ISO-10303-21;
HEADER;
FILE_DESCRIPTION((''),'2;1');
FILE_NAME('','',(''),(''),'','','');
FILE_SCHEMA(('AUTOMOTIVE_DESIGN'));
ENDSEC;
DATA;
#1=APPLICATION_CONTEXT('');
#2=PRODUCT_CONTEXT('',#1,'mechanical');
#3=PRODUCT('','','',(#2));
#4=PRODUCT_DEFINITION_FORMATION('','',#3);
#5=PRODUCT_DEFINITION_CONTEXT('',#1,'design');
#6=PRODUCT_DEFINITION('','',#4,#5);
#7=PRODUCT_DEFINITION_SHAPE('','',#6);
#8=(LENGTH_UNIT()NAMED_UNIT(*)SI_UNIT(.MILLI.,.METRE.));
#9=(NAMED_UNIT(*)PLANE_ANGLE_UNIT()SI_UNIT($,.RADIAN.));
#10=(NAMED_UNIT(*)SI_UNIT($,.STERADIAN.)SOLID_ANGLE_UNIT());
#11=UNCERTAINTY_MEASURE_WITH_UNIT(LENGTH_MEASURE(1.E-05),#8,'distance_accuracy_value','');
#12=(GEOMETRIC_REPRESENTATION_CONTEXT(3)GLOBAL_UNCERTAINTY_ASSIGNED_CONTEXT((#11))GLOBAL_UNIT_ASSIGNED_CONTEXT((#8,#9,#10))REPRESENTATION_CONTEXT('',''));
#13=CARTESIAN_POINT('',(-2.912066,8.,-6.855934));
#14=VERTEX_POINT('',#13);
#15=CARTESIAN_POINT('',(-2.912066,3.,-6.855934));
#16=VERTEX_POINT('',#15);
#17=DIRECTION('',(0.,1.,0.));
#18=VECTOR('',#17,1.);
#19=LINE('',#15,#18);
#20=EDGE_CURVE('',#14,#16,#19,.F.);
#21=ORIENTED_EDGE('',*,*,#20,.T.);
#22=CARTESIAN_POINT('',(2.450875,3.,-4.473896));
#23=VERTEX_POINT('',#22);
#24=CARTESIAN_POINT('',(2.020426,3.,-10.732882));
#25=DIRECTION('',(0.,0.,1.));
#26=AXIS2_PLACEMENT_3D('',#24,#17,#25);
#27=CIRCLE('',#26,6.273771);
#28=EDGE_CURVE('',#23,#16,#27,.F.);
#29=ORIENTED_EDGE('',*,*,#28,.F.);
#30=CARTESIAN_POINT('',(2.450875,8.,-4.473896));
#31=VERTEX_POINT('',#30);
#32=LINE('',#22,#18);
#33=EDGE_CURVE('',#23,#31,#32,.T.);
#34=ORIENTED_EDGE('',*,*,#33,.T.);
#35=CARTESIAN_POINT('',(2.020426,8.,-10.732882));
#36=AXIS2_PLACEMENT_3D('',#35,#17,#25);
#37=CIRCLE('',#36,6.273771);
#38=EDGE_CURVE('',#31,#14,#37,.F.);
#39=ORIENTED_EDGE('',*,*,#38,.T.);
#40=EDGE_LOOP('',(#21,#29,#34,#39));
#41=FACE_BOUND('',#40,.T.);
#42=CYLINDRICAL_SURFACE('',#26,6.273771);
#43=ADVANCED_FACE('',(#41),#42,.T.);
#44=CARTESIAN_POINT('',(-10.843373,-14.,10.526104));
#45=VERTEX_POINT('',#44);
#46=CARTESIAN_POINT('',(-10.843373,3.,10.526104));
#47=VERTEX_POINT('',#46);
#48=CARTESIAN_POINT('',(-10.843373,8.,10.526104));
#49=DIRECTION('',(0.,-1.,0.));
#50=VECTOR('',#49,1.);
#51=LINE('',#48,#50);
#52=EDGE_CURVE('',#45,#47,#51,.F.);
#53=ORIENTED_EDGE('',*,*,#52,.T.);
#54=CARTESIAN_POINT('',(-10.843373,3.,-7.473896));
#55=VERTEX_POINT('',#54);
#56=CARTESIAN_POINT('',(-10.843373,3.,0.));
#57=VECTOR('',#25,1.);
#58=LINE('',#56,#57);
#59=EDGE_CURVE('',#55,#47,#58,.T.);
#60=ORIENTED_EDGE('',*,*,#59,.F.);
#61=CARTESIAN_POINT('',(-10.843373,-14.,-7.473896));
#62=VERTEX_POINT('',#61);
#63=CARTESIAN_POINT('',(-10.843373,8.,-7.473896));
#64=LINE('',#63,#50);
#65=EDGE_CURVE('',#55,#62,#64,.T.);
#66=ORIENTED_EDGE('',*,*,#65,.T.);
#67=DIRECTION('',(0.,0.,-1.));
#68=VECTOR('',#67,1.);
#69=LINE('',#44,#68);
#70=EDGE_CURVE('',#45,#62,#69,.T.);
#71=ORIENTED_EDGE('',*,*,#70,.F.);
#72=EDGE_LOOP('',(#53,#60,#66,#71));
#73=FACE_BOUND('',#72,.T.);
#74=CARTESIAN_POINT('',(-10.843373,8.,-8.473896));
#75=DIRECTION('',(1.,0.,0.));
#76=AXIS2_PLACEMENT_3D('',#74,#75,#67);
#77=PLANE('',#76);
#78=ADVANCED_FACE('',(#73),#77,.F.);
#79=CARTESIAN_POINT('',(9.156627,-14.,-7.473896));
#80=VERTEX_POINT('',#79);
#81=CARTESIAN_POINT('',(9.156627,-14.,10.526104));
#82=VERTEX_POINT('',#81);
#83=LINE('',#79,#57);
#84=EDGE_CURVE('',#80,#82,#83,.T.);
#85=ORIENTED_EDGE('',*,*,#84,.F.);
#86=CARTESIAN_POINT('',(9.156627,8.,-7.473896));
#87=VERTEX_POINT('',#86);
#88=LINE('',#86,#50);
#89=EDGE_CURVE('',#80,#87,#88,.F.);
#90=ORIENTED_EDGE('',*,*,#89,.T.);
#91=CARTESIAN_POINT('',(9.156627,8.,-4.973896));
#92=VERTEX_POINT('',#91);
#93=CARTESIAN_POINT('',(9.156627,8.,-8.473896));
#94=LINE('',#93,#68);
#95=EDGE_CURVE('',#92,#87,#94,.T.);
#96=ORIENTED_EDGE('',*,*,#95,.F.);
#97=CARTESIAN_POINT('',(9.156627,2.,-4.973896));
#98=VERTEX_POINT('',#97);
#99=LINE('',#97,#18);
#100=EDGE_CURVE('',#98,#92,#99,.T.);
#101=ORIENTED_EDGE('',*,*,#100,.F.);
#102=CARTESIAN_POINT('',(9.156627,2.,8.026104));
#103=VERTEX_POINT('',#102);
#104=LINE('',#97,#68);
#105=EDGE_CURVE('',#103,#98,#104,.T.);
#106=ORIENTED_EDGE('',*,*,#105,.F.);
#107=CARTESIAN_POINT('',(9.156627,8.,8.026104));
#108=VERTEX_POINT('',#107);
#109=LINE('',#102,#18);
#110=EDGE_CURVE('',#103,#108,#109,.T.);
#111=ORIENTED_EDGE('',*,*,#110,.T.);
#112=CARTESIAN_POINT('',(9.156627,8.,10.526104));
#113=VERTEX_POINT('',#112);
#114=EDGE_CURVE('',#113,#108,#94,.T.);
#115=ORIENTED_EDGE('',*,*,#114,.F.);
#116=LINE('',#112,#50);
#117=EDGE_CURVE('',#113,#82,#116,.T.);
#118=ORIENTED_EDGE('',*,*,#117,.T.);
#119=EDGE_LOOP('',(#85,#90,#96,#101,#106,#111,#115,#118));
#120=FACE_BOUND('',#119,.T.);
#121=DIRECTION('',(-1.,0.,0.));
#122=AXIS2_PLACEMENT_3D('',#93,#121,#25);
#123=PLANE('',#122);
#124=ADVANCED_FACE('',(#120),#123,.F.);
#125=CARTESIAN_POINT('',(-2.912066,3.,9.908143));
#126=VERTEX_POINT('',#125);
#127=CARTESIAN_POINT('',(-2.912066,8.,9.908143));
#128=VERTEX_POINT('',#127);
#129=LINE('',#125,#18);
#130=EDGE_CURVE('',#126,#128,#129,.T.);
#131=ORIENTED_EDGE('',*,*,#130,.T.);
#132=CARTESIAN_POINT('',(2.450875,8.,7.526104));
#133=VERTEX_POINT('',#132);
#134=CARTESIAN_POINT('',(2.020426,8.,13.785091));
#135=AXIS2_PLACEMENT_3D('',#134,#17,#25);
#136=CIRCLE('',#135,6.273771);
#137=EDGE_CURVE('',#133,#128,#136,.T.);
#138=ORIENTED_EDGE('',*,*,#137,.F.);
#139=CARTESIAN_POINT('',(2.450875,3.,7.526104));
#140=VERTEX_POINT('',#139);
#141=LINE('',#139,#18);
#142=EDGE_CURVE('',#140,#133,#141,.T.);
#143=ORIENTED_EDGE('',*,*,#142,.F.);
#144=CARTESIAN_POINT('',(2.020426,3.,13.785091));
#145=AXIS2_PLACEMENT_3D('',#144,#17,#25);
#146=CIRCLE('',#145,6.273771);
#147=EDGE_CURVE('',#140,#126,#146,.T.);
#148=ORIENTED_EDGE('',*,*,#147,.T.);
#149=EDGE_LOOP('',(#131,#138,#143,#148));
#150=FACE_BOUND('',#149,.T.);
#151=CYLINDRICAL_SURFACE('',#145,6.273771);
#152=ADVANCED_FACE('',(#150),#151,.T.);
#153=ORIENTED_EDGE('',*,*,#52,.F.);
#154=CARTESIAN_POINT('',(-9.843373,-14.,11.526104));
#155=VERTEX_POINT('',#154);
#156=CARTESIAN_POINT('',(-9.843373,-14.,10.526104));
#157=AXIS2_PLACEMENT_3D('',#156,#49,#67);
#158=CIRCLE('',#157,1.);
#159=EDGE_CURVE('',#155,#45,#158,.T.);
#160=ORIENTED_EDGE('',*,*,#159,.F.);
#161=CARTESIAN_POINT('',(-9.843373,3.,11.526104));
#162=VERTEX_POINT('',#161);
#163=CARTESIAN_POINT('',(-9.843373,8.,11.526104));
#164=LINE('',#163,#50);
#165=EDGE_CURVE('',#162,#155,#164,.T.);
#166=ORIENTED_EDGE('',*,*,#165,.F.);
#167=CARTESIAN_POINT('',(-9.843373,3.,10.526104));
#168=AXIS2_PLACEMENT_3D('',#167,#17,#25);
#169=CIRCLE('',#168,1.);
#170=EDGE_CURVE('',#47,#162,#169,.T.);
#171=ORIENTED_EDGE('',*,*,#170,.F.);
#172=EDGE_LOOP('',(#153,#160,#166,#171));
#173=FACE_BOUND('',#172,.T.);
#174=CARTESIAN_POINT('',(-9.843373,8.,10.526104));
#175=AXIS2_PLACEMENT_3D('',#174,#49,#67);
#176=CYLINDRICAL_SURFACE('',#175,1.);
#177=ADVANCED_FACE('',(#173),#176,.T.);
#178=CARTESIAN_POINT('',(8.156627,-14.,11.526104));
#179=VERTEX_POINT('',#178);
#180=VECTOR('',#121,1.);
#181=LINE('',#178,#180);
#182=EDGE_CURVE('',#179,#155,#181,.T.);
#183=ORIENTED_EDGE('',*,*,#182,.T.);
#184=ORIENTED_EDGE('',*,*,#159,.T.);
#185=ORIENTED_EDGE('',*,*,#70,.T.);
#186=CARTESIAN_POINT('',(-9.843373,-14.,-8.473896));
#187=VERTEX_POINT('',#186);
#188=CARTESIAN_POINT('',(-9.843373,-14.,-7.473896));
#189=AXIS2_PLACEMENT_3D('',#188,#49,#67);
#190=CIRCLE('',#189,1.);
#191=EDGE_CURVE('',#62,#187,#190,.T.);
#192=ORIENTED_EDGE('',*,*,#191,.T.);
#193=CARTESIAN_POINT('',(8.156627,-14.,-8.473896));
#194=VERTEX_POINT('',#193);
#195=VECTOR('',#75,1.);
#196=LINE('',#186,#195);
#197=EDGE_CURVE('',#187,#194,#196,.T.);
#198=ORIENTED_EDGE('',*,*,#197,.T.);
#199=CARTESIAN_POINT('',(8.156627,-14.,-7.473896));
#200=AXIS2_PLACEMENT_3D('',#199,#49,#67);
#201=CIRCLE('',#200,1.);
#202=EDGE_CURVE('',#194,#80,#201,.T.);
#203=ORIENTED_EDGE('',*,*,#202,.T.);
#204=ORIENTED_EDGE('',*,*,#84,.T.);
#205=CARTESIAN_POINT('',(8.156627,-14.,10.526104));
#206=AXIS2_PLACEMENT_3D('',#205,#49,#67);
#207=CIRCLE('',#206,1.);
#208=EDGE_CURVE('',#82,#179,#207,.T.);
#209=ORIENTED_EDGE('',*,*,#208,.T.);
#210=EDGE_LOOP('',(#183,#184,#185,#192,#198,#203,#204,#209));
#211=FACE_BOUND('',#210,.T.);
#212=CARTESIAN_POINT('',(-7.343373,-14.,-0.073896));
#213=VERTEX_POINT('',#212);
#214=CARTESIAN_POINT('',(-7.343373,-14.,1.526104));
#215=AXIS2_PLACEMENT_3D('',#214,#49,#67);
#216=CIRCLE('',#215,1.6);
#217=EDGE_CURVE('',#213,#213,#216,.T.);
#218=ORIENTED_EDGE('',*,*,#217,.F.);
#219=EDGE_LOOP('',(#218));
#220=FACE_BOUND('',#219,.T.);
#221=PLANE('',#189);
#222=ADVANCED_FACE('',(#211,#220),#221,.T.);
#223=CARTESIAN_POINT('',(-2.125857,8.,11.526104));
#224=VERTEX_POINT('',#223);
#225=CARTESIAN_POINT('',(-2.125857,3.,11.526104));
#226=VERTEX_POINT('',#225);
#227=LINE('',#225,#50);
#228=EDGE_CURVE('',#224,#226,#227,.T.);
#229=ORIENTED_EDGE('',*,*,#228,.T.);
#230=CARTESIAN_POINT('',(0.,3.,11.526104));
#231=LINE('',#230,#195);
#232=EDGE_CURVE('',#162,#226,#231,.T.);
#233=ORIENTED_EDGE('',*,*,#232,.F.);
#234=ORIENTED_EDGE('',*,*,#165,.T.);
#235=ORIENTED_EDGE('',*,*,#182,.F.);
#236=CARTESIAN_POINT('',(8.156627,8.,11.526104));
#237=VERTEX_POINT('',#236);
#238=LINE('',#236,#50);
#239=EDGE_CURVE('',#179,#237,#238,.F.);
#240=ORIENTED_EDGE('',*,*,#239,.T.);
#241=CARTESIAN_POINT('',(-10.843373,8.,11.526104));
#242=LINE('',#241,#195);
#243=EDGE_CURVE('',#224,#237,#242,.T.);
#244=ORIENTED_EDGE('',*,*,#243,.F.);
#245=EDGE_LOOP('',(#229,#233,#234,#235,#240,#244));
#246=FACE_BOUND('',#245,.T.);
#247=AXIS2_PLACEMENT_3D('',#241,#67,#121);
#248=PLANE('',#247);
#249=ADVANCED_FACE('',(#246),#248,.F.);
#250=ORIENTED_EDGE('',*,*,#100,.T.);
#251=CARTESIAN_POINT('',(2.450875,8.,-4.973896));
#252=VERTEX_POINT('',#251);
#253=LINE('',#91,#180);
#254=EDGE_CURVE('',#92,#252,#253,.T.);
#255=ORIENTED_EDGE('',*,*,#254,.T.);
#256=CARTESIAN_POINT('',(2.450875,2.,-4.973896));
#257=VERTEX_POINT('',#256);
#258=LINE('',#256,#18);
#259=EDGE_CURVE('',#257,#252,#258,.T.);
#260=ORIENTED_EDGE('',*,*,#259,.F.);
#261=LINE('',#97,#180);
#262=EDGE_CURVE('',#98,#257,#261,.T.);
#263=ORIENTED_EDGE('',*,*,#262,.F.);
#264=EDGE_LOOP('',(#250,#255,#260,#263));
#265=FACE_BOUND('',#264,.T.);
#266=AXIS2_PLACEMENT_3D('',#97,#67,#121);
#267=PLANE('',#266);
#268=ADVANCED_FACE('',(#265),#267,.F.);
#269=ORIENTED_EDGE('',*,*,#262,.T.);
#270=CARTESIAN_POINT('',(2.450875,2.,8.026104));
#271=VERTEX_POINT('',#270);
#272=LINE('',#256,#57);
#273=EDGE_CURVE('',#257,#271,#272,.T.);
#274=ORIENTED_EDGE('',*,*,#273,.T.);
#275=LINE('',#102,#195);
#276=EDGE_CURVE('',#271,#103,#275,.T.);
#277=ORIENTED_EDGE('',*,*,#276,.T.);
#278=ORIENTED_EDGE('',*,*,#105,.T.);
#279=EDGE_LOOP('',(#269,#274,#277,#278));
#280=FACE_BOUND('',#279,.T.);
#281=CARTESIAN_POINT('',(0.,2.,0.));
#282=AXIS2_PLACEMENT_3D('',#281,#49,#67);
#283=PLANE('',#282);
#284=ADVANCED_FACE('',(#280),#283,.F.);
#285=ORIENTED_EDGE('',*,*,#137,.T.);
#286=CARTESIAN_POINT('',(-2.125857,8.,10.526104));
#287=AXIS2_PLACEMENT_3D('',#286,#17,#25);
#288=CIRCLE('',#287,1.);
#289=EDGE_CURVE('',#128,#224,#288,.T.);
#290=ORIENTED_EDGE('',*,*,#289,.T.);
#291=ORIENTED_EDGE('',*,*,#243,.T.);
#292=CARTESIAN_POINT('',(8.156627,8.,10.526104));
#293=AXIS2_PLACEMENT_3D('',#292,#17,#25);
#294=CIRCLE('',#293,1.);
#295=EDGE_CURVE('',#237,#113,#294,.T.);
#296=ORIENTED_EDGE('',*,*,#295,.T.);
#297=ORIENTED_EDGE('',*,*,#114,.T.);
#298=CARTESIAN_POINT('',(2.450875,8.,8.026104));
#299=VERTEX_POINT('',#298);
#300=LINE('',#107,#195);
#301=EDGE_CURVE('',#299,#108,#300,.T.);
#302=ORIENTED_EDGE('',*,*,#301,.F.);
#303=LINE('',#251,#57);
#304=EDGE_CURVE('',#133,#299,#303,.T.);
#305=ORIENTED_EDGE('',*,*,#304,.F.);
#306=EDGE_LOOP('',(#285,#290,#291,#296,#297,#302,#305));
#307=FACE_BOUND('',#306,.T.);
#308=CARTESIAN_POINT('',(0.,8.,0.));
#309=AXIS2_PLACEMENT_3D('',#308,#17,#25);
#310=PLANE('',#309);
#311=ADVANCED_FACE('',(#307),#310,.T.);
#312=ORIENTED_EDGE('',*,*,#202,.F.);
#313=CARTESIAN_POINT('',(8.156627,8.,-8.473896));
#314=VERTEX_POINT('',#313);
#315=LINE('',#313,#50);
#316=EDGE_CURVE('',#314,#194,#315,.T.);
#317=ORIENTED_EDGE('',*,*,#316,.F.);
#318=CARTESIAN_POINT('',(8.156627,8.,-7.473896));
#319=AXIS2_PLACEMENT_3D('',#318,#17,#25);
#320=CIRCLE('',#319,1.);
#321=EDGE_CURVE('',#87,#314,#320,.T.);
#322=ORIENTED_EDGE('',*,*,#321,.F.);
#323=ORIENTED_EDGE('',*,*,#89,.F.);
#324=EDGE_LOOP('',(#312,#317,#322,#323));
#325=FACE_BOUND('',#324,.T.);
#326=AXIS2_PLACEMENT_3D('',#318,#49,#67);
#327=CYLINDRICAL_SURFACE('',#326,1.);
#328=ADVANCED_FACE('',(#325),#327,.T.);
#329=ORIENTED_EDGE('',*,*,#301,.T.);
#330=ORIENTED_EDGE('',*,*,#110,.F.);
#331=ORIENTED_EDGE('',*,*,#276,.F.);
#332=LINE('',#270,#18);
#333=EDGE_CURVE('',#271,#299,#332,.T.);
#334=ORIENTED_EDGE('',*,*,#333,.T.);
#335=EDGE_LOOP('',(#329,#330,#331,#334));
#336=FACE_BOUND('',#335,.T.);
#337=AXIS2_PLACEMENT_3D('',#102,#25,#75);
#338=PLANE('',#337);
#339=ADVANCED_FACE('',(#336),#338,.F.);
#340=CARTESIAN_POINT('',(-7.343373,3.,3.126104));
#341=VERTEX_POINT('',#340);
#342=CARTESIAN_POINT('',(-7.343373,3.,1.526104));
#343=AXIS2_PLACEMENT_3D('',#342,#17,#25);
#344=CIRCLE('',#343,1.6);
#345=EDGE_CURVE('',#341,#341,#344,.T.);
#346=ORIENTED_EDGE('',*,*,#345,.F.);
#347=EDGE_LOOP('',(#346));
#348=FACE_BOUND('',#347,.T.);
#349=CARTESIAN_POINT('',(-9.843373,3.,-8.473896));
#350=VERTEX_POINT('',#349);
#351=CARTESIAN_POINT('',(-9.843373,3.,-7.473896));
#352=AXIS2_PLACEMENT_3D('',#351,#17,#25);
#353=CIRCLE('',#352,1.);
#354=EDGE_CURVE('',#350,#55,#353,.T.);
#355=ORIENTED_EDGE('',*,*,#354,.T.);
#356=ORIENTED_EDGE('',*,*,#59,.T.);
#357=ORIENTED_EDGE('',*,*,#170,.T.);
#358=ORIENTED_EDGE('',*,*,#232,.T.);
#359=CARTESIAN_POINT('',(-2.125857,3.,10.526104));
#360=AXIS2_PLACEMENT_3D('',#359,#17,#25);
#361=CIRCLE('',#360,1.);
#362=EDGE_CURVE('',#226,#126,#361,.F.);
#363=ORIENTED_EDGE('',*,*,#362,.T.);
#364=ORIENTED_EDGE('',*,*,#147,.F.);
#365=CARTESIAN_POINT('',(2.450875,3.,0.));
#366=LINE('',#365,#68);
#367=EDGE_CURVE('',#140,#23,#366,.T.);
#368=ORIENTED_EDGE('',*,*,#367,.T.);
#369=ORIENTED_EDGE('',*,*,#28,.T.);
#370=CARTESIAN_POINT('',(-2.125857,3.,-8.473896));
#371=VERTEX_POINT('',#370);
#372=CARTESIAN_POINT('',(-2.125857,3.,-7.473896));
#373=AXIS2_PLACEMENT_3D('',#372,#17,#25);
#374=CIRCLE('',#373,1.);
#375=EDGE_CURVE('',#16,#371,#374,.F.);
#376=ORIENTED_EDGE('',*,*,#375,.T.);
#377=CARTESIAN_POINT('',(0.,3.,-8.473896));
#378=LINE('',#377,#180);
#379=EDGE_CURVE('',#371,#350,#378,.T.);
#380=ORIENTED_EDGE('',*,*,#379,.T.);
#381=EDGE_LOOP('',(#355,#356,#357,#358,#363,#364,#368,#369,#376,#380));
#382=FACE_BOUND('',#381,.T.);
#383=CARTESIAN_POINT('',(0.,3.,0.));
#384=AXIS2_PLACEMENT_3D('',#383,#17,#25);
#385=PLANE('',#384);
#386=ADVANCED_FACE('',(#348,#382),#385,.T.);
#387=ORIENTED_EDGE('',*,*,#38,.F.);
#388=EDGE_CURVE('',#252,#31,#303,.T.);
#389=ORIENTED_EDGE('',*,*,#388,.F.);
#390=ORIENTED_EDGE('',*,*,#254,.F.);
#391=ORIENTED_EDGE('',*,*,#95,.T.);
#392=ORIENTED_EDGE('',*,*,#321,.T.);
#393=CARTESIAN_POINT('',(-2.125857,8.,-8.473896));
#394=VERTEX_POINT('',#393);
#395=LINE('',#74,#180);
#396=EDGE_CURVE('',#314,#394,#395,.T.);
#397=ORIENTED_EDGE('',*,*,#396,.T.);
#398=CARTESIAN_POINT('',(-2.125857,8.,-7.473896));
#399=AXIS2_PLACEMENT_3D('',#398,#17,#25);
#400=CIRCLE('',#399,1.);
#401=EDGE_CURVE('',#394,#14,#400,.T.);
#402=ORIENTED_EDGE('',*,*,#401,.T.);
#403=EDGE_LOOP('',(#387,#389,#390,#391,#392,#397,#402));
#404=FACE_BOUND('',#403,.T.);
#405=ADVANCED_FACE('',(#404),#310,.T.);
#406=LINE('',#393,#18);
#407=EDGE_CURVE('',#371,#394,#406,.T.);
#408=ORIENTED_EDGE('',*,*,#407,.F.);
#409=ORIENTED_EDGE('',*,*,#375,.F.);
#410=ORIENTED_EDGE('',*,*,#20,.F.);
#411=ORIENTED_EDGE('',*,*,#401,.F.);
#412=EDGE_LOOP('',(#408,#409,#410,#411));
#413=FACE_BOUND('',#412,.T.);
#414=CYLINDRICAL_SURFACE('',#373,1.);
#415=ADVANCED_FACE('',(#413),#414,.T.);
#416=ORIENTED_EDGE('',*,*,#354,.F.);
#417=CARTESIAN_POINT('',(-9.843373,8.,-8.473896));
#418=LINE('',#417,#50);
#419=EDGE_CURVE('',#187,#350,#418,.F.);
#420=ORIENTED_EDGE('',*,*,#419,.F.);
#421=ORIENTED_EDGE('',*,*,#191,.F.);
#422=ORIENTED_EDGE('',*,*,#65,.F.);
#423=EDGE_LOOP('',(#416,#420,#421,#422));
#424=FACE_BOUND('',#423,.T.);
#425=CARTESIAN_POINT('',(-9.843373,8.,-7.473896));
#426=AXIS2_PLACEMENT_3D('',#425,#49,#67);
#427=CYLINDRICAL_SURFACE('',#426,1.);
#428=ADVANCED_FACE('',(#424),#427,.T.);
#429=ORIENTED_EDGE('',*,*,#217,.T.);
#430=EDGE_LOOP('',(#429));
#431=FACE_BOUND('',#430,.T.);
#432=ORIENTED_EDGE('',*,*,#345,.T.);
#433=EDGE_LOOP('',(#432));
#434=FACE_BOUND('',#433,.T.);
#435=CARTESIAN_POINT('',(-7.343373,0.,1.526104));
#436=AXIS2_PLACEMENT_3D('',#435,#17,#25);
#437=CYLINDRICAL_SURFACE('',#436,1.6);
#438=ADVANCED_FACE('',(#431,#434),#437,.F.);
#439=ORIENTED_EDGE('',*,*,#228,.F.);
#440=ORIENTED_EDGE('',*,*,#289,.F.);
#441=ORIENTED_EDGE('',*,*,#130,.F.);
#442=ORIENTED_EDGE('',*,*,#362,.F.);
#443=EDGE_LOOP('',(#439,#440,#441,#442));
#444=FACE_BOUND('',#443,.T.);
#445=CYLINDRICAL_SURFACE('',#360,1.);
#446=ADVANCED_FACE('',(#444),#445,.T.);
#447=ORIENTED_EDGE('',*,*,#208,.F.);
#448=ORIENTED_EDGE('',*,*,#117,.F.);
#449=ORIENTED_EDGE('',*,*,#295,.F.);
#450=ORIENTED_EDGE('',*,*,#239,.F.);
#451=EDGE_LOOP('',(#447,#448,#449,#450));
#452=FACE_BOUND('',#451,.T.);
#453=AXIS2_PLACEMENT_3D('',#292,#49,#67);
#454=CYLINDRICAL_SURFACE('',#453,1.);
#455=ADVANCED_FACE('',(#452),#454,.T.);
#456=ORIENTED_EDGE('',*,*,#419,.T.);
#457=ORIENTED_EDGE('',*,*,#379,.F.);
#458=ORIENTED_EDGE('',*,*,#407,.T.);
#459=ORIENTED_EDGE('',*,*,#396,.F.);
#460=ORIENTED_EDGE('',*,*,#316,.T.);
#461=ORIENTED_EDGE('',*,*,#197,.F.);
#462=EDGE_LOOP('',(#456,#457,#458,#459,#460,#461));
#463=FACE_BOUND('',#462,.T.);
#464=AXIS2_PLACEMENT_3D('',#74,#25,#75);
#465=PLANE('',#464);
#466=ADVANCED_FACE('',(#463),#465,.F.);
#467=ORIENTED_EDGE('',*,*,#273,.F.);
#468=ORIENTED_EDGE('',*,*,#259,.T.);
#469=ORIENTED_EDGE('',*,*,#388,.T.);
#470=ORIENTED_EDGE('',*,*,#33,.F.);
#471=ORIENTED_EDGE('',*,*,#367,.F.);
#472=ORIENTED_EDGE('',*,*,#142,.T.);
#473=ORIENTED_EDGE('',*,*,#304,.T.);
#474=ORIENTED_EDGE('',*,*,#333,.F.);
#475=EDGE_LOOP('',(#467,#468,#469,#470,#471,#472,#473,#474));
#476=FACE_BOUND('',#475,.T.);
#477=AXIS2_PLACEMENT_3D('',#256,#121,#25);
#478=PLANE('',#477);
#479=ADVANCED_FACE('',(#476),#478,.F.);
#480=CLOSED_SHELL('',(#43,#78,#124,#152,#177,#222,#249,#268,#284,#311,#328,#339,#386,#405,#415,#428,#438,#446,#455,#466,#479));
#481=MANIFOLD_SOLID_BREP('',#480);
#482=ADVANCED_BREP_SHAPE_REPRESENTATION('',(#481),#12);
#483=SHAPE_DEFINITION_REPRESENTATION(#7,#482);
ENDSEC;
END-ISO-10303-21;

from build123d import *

# Parameters (mm, degrees)
CROQUIS2_W              = 20
CROQUIS2_H              = 20
SALIENTE_EXTRUIR1_DEPTH = 8
CROQUIS3_W              = 6.705751287
CROQUIS3_H              = 13
CORTAR_EXTRUIR1_DEPTH   = 6
CORTAR_EXTRUIR2_DEPTH   = 5
CROQUIS6_R              = 1.6
CORTAR_EXTRUIR3_DEPTH   = 3
REDONDEO1_R             = 1
CROQUIS7_R              = 1.6
SALIENTE_EXTRUIR2_DEPTH = 14


with BuildPart() as part:
    # Croquis2 → Saliente-Extruir1 (new body)
    with BuildSketch(Plane(origin=(0, 0, 0), x_dir=(1, 0, 0), z_dir=(0, 1, 0))):
        with Locations((-0.843373494, -1.526104418)):
            Rectangle(CROQUIS2_W, CROQUIS2_H)
    extrude(amount=SALIENTE_EXTRUIR1_DEPTH)

    # Croquis3 → Cortar-Extruir1 (cut)
    with BuildSketch(Plane(origin=(0, 8, 0), x_dir=(1, 0, 0), z_dir=(0, 1, 0))):
        with Locations((5.803750863, -1.526104418)):
            Rectangle(CROQUIS3_W, CROQUIS3_H)
    extrude(amount=-CORTAR_EXTRUIR1_DEPTH, mode=Mode.SUBTRACT)

    # Croquis5 → Cortar-Extruir2 (cut)
    with BuildSketch(Plane(origin=(0, 8, 0), x_dir=(1, 0, 0), z_dir=(0, 1, 0))):
        with BuildLine():
            Line((2.450875219, -7.526104418), (2.450875219, 4.473895582))
            ThreePointArc((2.450875219, 4.473895582), (2.020425803, 4.459111389), (1.589976387, 4.473895582))
            ThreePointArc((1.589976387, 4.473895582), (-1.703861847, 5.684131739), (-3.832537389, 8.473895582))
            Line((-3.832537389, 8.473895582), (-10.843373494, 8.473895582))
            Line((-10.843373494, 8.473895582), (-10.843373494, -11.526104418))
            Line((-10.843373494, -11.526104418), (-3.832537389, -11.526104418))
            ThreePointArc((-3.832537389, -11.526104418), (-1.703861847, -8.736340574), (1.589976387, -7.526104418))
            ThreePointArc((1.589976387, -7.526104418), (2.020425803, -7.511320225), (2.450875219, -7.526104418))
        make_face()
    extrude(amount=-CORTAR_EXTRUIR2_DEPTH, mode=Mode.SUBTRACT)

    # Croquis6 → Cortar-Extruir3 (cut)
    with BuildSketch(Plane(origin=(0, 3, 0), x_dir=(1, 0, 0), z_dir=(0, 1, 0))):
        with Locations(Location((-7.343373494, -1.526104418, 0), (0, 0, 270))):
            Circle(CROQUIS6_R)
    extrude(amount=-CORTAR_EXTRUIR3_DEPTH, mode=Mode.SUBTRACT)

    # Redondeo1
    redondeo1_edges = [part.edges().sort_by_distance(p)[0] for p in [
        (-10.843373494, 1.5, -8.473895582),
        (-10.843373494, 1.5, 11.526104418),
        (-3.832537389, 5.5, 11.526104418),
        (-3.832537389, 5.5, -8.473895582),
        (9.156626506, 4, -8.473895582),
        (9.156626506, 4, 11.526104418),
    ]]
    fillet(redondeo1_edges, radius=REDONDEO1_R)

    # Croquis7 → Saliente-Extruir2 (add)
    with BuildSketch(Plane.XZ):
        with BuildLine():
            Line((-9.843373494, -8.473895582), (8.156626506, -8.473895582))
            ThreePointArc((8.156626506, -8.473895582), (8.863733287, -8.181002364), (9.156626506, -7.473895582))
            Line((9.156626506, -7.473895582), (9.156626506, 10.526104418))
            ThreePointArc((9.156626506, 10.526104418), (8.863733287, 11.233211199), (8.156626506, 11.526104418))
            Line((8.156626506, 11.526104418), (-9.843373494, 11.526104418))
            ThreePointArc((-9.843373494, 11.526104418), (-10.550480275, 11.233211199), (-10.843373494, 10.526104418))
            Line((-10.843373494, 10.526104418), (-10.843373494, -7.473895582))
            ThreePointArc((-10.843373494, -7.473895582), (-10.550480275, -8.181002364), (-9.843373494, -8.473895582))
        make_face()
        with Locations(Location((-7.343373494, 1.526104418, 0), (0, 0, 90))):
            Circle(CROQUIS7_R, mode=Mode.SUBTRACT)
    extrude(amount=SALIENTE_EXTRUIR2_DEPTH)


solid = part.part
